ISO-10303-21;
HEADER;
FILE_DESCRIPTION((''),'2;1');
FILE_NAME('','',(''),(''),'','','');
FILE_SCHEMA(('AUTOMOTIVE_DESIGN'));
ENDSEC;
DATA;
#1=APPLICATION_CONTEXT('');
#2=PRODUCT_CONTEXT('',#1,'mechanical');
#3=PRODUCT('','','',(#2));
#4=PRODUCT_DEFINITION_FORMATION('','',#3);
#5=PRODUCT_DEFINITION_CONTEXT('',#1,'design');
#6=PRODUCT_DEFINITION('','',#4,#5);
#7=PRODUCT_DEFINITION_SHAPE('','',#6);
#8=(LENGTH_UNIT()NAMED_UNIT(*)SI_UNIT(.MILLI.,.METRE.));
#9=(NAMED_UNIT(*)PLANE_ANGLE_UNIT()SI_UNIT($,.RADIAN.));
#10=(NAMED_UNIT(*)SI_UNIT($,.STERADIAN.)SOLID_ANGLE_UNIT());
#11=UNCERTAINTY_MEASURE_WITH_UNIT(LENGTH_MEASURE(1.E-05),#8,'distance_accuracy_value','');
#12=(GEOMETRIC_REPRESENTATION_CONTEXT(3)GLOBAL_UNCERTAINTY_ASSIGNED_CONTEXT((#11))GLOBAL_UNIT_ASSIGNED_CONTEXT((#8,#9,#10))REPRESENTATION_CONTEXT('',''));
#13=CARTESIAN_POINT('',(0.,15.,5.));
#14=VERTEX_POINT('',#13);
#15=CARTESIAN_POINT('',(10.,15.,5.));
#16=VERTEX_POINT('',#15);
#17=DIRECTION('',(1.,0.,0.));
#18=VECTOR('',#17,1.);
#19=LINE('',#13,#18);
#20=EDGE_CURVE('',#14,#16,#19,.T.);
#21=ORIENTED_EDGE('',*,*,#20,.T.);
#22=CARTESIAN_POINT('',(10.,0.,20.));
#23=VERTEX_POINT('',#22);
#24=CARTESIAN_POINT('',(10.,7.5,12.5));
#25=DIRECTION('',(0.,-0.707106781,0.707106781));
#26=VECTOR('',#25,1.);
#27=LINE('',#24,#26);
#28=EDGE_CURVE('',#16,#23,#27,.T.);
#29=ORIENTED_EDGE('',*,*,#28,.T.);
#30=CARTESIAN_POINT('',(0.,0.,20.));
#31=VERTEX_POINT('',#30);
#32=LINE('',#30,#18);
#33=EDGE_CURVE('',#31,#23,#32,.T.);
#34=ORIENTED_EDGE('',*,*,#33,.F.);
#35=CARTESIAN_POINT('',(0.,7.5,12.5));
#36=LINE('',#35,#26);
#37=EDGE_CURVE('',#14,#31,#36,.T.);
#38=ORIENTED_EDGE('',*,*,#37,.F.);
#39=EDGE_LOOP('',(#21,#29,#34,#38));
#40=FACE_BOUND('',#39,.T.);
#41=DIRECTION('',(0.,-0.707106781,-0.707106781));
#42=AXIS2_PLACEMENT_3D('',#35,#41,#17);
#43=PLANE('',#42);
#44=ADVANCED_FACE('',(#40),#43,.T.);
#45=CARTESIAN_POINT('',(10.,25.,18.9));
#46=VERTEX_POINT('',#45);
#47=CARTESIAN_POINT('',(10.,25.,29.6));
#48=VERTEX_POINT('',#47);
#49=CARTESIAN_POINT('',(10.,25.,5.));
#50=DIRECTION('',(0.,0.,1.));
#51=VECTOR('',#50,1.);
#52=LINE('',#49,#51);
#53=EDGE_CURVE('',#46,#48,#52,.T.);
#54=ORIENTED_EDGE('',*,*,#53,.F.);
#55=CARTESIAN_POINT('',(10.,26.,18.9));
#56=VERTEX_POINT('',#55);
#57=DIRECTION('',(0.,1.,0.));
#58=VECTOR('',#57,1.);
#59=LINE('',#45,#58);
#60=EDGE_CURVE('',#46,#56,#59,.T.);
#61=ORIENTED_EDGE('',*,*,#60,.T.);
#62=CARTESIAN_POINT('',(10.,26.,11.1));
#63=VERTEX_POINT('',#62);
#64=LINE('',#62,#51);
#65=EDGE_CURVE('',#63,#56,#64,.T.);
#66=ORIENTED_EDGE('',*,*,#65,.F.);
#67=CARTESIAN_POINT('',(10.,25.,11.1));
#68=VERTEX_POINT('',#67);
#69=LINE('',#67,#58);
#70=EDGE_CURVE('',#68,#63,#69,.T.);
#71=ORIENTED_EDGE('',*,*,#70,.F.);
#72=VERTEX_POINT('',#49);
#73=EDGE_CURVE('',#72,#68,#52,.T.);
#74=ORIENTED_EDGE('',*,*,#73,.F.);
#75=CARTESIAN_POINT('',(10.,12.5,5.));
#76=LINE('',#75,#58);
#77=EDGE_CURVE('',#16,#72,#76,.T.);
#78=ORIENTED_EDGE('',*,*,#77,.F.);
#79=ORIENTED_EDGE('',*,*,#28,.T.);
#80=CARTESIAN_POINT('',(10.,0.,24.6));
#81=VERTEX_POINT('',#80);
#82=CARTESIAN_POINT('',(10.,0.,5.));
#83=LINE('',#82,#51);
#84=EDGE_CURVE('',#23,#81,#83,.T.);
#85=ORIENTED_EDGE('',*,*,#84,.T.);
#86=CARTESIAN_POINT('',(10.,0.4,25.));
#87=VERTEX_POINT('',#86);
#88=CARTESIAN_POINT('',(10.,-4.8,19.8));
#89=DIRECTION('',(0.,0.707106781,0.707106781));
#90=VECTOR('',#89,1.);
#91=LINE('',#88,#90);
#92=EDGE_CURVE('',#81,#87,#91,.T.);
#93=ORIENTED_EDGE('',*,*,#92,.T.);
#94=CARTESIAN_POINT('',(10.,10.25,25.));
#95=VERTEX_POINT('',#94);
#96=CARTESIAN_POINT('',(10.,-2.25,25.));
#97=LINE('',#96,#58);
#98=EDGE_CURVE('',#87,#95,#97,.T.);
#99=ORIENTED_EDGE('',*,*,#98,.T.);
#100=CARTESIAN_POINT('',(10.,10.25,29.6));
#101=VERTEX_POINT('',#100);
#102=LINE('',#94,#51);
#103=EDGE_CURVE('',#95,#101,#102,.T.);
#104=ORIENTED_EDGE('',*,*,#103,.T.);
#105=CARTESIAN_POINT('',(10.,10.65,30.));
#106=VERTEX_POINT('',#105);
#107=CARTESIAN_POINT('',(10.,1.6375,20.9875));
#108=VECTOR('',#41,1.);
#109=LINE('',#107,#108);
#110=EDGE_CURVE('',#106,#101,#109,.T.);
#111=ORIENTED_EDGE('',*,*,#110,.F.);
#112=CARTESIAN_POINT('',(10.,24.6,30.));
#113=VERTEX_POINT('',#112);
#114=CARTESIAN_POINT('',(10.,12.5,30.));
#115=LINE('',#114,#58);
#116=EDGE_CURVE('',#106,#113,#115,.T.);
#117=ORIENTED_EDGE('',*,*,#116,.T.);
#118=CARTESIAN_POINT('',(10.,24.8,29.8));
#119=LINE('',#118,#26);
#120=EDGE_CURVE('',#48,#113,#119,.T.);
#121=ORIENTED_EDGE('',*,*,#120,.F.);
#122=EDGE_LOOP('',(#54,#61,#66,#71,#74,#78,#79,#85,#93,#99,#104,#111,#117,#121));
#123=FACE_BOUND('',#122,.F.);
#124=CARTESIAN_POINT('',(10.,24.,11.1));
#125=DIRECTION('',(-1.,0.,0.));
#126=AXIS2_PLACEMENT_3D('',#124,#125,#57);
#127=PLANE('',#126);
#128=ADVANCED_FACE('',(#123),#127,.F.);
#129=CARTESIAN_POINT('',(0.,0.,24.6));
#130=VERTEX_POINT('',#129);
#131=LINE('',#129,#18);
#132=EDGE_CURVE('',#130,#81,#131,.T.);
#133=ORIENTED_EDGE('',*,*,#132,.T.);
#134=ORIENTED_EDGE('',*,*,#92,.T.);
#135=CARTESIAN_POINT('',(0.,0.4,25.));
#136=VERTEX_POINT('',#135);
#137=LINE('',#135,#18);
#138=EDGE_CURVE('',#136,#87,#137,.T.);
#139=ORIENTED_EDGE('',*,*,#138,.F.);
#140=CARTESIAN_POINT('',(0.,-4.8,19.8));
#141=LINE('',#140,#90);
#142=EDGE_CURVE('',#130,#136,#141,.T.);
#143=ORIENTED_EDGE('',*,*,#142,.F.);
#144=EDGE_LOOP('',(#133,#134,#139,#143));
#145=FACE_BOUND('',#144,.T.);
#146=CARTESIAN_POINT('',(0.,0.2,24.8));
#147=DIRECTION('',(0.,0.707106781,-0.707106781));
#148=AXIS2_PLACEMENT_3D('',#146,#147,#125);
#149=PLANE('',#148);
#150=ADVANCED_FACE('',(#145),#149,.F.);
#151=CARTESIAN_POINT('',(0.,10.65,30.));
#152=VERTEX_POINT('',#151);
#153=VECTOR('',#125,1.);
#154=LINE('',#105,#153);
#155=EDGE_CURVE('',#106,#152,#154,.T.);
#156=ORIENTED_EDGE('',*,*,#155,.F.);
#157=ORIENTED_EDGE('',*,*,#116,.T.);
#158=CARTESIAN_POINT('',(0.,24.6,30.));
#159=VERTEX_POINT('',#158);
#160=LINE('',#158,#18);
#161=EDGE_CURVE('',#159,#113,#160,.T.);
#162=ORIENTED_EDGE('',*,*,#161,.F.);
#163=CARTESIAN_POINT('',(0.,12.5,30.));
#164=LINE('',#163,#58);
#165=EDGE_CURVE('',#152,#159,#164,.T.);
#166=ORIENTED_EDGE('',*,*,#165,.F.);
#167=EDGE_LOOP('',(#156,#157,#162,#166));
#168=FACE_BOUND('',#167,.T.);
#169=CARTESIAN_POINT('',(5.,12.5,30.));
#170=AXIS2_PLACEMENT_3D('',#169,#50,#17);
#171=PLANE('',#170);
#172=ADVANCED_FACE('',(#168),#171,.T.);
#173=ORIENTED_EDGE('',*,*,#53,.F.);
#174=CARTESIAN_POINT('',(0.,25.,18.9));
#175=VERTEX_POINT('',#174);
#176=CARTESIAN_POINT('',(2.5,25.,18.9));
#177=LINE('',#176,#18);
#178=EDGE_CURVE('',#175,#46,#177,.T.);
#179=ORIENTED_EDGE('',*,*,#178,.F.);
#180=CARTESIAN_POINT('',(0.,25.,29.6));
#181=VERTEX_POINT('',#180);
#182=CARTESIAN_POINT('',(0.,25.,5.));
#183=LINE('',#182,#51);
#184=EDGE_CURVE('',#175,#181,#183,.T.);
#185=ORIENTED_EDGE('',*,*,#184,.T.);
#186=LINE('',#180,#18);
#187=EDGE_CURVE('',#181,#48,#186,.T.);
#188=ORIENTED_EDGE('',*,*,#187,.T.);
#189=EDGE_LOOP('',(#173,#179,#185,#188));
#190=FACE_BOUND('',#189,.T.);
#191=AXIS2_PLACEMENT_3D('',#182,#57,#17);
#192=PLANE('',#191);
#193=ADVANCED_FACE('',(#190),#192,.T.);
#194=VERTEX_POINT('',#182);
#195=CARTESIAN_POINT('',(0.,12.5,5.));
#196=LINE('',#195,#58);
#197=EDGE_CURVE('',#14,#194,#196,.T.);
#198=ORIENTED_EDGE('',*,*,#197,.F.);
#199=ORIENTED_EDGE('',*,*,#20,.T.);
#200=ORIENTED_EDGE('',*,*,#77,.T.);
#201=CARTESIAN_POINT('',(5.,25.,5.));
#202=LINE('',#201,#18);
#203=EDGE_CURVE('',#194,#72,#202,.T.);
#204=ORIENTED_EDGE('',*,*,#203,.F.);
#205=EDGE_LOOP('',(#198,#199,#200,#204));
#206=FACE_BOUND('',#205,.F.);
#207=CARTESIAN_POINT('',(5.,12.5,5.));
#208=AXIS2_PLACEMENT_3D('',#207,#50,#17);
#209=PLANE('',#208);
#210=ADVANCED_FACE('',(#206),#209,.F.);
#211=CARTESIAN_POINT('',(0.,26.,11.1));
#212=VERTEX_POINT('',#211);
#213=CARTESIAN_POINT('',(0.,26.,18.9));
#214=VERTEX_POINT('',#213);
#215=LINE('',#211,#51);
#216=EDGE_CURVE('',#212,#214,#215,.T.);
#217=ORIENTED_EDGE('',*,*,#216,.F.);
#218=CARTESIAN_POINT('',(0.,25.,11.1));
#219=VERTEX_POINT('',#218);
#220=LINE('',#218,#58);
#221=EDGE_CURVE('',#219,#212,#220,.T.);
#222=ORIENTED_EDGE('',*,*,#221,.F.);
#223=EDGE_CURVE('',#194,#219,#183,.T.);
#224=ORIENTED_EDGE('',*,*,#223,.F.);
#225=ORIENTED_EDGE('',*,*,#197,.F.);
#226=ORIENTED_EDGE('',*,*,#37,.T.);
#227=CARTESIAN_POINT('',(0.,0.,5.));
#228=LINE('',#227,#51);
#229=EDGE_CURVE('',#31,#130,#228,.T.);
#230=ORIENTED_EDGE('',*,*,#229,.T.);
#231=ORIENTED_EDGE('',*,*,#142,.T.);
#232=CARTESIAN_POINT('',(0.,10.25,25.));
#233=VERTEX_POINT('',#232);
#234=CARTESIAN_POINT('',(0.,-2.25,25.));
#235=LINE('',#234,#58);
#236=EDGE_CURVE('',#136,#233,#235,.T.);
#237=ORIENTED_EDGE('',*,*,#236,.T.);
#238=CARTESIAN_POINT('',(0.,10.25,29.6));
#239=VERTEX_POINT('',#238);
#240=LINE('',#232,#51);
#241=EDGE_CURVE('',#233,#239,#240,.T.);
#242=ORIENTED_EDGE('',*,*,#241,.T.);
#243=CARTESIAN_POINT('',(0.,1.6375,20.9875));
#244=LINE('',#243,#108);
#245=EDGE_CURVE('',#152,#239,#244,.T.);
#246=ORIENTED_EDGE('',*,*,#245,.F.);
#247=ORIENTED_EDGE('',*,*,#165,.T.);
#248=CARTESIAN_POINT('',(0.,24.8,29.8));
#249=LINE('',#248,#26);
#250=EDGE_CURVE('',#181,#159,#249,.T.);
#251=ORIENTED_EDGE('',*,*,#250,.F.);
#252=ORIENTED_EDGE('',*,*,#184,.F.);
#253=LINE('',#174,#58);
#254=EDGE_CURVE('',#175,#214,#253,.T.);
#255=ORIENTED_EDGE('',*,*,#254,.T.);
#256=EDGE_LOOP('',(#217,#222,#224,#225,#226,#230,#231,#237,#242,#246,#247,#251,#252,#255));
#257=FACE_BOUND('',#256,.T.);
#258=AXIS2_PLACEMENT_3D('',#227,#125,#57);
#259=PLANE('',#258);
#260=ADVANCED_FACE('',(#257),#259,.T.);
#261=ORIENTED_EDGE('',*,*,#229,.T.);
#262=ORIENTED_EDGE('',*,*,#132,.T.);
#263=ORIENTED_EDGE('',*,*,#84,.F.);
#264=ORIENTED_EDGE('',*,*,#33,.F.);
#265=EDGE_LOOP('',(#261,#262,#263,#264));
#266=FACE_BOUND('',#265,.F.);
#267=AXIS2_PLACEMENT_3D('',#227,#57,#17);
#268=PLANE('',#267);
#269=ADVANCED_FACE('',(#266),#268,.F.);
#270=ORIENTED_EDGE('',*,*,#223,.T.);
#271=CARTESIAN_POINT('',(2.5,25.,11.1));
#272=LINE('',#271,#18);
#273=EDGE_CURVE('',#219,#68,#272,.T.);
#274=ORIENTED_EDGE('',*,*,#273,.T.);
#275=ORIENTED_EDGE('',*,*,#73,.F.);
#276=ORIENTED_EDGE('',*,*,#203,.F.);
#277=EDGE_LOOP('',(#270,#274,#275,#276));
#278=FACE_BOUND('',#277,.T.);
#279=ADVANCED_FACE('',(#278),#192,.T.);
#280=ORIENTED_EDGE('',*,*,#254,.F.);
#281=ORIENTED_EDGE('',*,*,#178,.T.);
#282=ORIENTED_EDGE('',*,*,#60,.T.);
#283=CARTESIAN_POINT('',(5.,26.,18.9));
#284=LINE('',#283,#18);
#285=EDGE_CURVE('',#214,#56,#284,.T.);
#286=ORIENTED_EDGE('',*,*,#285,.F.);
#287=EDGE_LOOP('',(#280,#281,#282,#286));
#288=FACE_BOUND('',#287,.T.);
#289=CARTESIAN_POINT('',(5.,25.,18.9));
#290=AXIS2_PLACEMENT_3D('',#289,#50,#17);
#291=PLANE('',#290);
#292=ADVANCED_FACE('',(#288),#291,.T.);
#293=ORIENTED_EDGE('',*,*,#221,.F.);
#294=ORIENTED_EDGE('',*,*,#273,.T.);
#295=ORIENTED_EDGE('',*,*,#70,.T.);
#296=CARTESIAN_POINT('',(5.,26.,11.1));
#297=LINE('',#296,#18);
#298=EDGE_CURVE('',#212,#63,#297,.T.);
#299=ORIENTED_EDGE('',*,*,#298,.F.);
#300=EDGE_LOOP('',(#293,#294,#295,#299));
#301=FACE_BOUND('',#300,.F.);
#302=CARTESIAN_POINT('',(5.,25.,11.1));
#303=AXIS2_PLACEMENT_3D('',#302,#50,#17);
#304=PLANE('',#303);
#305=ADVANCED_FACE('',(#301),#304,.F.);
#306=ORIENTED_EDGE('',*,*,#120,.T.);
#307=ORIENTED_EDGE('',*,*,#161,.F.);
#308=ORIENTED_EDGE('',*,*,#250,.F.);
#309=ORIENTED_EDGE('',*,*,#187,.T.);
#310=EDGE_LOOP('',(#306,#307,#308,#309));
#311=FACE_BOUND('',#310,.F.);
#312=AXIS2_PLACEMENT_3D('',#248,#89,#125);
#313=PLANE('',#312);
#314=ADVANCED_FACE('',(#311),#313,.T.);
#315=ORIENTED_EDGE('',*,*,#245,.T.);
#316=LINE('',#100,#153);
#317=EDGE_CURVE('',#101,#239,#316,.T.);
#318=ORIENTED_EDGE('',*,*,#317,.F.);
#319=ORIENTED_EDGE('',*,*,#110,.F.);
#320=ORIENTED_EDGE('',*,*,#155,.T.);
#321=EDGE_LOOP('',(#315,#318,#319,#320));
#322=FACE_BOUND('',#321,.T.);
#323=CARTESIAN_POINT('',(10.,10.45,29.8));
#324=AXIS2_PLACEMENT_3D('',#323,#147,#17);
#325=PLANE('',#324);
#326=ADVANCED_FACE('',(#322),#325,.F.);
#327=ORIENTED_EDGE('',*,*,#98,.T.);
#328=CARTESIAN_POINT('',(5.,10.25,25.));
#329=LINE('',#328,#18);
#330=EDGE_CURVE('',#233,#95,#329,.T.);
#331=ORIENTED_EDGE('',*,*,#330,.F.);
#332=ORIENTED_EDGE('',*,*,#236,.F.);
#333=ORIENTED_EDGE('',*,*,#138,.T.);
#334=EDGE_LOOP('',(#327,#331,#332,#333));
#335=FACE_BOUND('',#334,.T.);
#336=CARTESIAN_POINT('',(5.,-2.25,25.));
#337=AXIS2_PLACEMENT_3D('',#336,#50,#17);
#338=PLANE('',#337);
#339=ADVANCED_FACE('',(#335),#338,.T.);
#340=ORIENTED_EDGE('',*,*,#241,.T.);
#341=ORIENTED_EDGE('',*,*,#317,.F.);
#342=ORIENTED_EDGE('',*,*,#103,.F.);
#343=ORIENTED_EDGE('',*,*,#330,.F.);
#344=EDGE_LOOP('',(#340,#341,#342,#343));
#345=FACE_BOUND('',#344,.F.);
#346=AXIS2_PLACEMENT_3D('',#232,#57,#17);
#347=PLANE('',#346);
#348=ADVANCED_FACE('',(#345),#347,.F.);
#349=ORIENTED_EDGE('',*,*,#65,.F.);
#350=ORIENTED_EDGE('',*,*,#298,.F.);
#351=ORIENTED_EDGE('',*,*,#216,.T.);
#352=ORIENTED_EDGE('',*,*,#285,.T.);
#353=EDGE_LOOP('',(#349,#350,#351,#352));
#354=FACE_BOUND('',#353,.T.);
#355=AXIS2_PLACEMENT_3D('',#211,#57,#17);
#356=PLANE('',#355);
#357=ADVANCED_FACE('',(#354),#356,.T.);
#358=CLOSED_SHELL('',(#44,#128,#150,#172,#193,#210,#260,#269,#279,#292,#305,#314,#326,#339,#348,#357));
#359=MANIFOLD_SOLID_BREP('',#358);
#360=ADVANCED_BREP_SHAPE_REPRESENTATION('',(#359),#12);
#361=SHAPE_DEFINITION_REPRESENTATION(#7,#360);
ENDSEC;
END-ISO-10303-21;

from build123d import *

# Parameters (mm, degrees)
BOX012_W        = 10
BOX012_H        = 2
BOX012_DEPTH    = 7.8
BOX013_W        = 10
BOX013_H        = 25
BOX013_DEPTH    = 25
BOX011_W        = 10
BOX011_H        = 25
BOX011_DEPTH    = 25
CHAMFER_SIZE    = 15
CHAMFER001_SIZE = 0.4


with BuildPart() as cube011:
    # Box012 → Box012 (new body)
    with BuildSketch(Plane(origin=(0, 24, 11.1), x_dir=(1, 0, 0), z_dir=(0, 0, 1))):
        with Locations((5, 1)):
            Rectangle(BOX012_W, BOX012_H)
    extrude(amount=BOX012_DEPTH)


with BuildPart() as cube012:
    # Box013 → Box013 (new body)
    with BuildSketch(Plane(origin=(0, -14.75, 25), x_dir=(1, 0, 0), z_dir=(0, 0, 1))):
        with Locations((5, 12.5)):
            Rectangle(BOX013_W, BOX013_H)
    extrude(amount=BOX013_DEPTH)


with BuildPart() as support_profile:
    # Box011 → Box011 (new body)
    with BuildSketch(Plane.XY.offset(5)):
        with Locations((5, 12.5)):
            Rectangle(BOX011_W, BOX011_H)
    extrude(amount=BOX011_DEPTH)

    # Cut001: cut Cube012
    add(cube012.part, mode=Mode.SUBTRACT)

    # Chamfer
    chamfer_edges = [support_profile.edges().sort_by_distance(p)[0] for p in [
        (5, 0, 5),
    ]]
    chamfer(chamfer_edges, length=CHAMFER_SIZE)

    # Chamfer001
    chamfer001_edges = [support_profile.edges().sort_by_distance(p)[0] for p in [
        (5, 0, 25),
        (5, 10.25, 30),
        (5, 25, 30),
    ]]
    chamfer(chamfer001_edges, length=CHAMFER001_SIZE)

    # Fusion001002: union Cube011
    add(cube011.part)


solid = support_profile.part
